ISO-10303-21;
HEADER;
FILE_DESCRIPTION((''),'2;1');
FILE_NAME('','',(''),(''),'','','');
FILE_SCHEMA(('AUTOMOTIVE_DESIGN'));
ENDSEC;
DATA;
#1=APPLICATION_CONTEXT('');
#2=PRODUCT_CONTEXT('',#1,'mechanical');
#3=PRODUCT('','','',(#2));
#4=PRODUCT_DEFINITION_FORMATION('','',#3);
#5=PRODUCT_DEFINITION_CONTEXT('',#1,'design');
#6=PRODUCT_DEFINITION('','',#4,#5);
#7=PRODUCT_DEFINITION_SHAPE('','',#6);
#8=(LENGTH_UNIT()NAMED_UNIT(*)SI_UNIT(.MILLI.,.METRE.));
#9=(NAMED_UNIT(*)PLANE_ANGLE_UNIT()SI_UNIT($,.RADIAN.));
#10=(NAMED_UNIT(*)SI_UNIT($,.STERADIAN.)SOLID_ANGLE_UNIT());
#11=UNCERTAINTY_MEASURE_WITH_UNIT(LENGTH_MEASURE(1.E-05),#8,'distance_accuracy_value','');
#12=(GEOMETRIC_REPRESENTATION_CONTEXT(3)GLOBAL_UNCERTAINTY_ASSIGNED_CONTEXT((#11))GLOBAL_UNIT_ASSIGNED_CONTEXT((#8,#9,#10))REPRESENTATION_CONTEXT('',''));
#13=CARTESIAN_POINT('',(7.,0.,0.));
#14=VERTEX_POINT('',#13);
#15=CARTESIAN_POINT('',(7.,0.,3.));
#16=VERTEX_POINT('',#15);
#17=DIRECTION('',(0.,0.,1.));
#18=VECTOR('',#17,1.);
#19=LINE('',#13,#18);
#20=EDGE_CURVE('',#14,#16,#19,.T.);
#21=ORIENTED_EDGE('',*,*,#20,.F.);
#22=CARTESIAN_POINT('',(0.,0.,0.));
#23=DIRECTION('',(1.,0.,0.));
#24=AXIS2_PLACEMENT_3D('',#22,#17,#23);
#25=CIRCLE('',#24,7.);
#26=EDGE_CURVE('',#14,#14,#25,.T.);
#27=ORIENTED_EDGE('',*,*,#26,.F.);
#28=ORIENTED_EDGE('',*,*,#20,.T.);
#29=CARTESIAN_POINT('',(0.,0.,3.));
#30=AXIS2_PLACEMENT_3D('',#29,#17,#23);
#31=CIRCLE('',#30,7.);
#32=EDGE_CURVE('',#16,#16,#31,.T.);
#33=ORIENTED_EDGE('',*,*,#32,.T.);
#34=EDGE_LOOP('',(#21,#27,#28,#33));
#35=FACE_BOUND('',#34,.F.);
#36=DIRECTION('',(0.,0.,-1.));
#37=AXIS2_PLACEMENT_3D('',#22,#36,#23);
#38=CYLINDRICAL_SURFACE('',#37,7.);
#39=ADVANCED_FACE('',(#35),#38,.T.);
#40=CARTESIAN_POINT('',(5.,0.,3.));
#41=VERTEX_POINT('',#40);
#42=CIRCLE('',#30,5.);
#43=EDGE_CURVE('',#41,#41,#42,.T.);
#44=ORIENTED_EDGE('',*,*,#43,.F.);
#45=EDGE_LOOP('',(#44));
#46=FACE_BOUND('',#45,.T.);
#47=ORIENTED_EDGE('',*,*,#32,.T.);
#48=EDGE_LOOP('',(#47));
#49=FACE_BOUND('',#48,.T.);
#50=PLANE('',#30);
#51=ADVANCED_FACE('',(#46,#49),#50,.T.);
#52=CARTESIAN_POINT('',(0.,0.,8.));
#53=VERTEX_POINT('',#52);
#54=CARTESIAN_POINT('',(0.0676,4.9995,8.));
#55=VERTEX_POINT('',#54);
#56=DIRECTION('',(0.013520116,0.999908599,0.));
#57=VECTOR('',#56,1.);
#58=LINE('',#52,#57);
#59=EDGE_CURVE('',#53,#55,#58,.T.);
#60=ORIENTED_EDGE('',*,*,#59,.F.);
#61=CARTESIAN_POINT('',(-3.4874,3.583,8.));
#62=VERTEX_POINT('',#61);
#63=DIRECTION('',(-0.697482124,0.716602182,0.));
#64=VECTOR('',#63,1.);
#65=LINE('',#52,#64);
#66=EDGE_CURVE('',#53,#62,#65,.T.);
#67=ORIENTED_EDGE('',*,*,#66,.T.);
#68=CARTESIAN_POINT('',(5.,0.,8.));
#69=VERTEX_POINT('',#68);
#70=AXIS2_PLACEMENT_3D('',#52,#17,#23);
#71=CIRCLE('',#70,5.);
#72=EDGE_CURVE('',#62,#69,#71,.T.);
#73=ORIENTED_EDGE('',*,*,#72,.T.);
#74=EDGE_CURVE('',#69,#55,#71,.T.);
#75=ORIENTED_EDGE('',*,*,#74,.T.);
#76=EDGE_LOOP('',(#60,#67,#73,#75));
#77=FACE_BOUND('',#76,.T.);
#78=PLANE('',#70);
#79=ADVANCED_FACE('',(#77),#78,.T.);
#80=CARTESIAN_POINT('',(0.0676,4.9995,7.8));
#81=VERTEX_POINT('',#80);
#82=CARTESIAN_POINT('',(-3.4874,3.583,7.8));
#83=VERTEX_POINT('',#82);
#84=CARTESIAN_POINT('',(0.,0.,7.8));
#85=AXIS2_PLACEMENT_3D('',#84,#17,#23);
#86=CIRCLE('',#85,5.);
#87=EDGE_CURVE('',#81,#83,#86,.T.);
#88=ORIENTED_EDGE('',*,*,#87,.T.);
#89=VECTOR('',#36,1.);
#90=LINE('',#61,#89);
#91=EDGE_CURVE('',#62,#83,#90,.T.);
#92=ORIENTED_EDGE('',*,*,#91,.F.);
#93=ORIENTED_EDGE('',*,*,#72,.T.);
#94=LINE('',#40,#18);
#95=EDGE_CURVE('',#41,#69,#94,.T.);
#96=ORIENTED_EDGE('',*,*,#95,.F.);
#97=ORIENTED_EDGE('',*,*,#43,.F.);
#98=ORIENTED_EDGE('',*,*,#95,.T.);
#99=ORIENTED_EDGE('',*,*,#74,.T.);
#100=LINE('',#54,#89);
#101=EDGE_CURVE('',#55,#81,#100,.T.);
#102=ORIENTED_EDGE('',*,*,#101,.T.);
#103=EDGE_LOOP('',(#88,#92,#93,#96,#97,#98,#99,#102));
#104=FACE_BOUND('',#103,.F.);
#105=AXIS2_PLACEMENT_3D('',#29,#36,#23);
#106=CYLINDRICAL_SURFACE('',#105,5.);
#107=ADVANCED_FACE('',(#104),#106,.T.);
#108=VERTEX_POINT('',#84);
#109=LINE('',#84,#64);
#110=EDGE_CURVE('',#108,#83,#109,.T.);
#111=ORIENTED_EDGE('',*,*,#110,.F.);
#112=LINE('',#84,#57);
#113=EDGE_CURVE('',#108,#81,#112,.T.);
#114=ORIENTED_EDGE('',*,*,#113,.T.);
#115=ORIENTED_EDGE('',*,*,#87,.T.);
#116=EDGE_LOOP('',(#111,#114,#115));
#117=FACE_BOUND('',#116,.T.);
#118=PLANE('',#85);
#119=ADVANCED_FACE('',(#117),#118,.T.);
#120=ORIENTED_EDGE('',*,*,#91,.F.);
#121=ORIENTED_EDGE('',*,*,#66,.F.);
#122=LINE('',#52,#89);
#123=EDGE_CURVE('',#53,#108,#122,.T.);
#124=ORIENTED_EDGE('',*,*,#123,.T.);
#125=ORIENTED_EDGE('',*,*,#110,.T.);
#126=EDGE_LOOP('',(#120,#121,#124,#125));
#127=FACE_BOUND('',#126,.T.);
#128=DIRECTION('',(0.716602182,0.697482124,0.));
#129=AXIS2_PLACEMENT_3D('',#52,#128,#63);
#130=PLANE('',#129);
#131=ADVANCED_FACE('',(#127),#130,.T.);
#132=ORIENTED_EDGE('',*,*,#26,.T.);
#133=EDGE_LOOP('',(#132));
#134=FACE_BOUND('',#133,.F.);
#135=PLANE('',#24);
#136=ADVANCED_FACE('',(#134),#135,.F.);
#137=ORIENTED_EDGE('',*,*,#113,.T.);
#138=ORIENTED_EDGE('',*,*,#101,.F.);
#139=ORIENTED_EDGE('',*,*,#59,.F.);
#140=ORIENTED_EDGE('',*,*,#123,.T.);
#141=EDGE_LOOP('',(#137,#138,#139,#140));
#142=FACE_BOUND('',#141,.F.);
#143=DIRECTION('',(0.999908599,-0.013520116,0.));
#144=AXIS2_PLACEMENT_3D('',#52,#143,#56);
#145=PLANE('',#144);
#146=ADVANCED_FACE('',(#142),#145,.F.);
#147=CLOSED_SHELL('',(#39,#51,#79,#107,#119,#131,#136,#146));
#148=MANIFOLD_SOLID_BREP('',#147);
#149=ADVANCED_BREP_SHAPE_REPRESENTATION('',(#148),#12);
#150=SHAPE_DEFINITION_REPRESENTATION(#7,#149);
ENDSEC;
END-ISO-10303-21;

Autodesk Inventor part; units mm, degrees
ref_plane "YZ Plane" through (0, 0, 0) normal (1, 0, 0) x (0, 1, 0)
ref_plane "XZ Plane" through (0, 0, 0) normal (0, 1, 0) x (-1, 0, 0)
ref_plane "XY Plane" through (0, 0, 0) normal (0, 0, 1) x (1, 0, 0)
sketch "Sketch1" plane through (0, 0, 0) normal (0, 0, 1) x (1, 0, 0)
  circle A0 centre (0, 0) radius 7
  dimension "d0" = 14
extrude "Extrusion1" add sketch "Sketch1" along normal blind 3
sketch "Sketch2" plane through (0, 0, 3) normal (0, 0, 1) x (1, 0, 0)
  circle A0 centre (0, 0) radius 5
  dimension "d3" = 10
extrude "Extrusion2" add sketch "Sketch2" along normal blind 5
sketch "Sketch3" plane through (0, 0, 8) normal (0, 0, 1) x (1, 0, 0)
  circle A0 centre (0, 0) radius 5 projected
  arc A1 (0.0676, 4.9995) -> (-3.4874, 3.583) centre (0, 0) ccw
  line L0 (0, 0) -> (0.0676, 4.9995)
  line L1 (0, 0) -> (-3.4874, 3.583)
  dimension "d6" = 45
extrude "Extrusion3" cut sketch "Sketch3" against normal blind 0.2 contours L0 L1 A0 picked at (-0.9199, 3.1872)
properties part number "potentiometer knob"
